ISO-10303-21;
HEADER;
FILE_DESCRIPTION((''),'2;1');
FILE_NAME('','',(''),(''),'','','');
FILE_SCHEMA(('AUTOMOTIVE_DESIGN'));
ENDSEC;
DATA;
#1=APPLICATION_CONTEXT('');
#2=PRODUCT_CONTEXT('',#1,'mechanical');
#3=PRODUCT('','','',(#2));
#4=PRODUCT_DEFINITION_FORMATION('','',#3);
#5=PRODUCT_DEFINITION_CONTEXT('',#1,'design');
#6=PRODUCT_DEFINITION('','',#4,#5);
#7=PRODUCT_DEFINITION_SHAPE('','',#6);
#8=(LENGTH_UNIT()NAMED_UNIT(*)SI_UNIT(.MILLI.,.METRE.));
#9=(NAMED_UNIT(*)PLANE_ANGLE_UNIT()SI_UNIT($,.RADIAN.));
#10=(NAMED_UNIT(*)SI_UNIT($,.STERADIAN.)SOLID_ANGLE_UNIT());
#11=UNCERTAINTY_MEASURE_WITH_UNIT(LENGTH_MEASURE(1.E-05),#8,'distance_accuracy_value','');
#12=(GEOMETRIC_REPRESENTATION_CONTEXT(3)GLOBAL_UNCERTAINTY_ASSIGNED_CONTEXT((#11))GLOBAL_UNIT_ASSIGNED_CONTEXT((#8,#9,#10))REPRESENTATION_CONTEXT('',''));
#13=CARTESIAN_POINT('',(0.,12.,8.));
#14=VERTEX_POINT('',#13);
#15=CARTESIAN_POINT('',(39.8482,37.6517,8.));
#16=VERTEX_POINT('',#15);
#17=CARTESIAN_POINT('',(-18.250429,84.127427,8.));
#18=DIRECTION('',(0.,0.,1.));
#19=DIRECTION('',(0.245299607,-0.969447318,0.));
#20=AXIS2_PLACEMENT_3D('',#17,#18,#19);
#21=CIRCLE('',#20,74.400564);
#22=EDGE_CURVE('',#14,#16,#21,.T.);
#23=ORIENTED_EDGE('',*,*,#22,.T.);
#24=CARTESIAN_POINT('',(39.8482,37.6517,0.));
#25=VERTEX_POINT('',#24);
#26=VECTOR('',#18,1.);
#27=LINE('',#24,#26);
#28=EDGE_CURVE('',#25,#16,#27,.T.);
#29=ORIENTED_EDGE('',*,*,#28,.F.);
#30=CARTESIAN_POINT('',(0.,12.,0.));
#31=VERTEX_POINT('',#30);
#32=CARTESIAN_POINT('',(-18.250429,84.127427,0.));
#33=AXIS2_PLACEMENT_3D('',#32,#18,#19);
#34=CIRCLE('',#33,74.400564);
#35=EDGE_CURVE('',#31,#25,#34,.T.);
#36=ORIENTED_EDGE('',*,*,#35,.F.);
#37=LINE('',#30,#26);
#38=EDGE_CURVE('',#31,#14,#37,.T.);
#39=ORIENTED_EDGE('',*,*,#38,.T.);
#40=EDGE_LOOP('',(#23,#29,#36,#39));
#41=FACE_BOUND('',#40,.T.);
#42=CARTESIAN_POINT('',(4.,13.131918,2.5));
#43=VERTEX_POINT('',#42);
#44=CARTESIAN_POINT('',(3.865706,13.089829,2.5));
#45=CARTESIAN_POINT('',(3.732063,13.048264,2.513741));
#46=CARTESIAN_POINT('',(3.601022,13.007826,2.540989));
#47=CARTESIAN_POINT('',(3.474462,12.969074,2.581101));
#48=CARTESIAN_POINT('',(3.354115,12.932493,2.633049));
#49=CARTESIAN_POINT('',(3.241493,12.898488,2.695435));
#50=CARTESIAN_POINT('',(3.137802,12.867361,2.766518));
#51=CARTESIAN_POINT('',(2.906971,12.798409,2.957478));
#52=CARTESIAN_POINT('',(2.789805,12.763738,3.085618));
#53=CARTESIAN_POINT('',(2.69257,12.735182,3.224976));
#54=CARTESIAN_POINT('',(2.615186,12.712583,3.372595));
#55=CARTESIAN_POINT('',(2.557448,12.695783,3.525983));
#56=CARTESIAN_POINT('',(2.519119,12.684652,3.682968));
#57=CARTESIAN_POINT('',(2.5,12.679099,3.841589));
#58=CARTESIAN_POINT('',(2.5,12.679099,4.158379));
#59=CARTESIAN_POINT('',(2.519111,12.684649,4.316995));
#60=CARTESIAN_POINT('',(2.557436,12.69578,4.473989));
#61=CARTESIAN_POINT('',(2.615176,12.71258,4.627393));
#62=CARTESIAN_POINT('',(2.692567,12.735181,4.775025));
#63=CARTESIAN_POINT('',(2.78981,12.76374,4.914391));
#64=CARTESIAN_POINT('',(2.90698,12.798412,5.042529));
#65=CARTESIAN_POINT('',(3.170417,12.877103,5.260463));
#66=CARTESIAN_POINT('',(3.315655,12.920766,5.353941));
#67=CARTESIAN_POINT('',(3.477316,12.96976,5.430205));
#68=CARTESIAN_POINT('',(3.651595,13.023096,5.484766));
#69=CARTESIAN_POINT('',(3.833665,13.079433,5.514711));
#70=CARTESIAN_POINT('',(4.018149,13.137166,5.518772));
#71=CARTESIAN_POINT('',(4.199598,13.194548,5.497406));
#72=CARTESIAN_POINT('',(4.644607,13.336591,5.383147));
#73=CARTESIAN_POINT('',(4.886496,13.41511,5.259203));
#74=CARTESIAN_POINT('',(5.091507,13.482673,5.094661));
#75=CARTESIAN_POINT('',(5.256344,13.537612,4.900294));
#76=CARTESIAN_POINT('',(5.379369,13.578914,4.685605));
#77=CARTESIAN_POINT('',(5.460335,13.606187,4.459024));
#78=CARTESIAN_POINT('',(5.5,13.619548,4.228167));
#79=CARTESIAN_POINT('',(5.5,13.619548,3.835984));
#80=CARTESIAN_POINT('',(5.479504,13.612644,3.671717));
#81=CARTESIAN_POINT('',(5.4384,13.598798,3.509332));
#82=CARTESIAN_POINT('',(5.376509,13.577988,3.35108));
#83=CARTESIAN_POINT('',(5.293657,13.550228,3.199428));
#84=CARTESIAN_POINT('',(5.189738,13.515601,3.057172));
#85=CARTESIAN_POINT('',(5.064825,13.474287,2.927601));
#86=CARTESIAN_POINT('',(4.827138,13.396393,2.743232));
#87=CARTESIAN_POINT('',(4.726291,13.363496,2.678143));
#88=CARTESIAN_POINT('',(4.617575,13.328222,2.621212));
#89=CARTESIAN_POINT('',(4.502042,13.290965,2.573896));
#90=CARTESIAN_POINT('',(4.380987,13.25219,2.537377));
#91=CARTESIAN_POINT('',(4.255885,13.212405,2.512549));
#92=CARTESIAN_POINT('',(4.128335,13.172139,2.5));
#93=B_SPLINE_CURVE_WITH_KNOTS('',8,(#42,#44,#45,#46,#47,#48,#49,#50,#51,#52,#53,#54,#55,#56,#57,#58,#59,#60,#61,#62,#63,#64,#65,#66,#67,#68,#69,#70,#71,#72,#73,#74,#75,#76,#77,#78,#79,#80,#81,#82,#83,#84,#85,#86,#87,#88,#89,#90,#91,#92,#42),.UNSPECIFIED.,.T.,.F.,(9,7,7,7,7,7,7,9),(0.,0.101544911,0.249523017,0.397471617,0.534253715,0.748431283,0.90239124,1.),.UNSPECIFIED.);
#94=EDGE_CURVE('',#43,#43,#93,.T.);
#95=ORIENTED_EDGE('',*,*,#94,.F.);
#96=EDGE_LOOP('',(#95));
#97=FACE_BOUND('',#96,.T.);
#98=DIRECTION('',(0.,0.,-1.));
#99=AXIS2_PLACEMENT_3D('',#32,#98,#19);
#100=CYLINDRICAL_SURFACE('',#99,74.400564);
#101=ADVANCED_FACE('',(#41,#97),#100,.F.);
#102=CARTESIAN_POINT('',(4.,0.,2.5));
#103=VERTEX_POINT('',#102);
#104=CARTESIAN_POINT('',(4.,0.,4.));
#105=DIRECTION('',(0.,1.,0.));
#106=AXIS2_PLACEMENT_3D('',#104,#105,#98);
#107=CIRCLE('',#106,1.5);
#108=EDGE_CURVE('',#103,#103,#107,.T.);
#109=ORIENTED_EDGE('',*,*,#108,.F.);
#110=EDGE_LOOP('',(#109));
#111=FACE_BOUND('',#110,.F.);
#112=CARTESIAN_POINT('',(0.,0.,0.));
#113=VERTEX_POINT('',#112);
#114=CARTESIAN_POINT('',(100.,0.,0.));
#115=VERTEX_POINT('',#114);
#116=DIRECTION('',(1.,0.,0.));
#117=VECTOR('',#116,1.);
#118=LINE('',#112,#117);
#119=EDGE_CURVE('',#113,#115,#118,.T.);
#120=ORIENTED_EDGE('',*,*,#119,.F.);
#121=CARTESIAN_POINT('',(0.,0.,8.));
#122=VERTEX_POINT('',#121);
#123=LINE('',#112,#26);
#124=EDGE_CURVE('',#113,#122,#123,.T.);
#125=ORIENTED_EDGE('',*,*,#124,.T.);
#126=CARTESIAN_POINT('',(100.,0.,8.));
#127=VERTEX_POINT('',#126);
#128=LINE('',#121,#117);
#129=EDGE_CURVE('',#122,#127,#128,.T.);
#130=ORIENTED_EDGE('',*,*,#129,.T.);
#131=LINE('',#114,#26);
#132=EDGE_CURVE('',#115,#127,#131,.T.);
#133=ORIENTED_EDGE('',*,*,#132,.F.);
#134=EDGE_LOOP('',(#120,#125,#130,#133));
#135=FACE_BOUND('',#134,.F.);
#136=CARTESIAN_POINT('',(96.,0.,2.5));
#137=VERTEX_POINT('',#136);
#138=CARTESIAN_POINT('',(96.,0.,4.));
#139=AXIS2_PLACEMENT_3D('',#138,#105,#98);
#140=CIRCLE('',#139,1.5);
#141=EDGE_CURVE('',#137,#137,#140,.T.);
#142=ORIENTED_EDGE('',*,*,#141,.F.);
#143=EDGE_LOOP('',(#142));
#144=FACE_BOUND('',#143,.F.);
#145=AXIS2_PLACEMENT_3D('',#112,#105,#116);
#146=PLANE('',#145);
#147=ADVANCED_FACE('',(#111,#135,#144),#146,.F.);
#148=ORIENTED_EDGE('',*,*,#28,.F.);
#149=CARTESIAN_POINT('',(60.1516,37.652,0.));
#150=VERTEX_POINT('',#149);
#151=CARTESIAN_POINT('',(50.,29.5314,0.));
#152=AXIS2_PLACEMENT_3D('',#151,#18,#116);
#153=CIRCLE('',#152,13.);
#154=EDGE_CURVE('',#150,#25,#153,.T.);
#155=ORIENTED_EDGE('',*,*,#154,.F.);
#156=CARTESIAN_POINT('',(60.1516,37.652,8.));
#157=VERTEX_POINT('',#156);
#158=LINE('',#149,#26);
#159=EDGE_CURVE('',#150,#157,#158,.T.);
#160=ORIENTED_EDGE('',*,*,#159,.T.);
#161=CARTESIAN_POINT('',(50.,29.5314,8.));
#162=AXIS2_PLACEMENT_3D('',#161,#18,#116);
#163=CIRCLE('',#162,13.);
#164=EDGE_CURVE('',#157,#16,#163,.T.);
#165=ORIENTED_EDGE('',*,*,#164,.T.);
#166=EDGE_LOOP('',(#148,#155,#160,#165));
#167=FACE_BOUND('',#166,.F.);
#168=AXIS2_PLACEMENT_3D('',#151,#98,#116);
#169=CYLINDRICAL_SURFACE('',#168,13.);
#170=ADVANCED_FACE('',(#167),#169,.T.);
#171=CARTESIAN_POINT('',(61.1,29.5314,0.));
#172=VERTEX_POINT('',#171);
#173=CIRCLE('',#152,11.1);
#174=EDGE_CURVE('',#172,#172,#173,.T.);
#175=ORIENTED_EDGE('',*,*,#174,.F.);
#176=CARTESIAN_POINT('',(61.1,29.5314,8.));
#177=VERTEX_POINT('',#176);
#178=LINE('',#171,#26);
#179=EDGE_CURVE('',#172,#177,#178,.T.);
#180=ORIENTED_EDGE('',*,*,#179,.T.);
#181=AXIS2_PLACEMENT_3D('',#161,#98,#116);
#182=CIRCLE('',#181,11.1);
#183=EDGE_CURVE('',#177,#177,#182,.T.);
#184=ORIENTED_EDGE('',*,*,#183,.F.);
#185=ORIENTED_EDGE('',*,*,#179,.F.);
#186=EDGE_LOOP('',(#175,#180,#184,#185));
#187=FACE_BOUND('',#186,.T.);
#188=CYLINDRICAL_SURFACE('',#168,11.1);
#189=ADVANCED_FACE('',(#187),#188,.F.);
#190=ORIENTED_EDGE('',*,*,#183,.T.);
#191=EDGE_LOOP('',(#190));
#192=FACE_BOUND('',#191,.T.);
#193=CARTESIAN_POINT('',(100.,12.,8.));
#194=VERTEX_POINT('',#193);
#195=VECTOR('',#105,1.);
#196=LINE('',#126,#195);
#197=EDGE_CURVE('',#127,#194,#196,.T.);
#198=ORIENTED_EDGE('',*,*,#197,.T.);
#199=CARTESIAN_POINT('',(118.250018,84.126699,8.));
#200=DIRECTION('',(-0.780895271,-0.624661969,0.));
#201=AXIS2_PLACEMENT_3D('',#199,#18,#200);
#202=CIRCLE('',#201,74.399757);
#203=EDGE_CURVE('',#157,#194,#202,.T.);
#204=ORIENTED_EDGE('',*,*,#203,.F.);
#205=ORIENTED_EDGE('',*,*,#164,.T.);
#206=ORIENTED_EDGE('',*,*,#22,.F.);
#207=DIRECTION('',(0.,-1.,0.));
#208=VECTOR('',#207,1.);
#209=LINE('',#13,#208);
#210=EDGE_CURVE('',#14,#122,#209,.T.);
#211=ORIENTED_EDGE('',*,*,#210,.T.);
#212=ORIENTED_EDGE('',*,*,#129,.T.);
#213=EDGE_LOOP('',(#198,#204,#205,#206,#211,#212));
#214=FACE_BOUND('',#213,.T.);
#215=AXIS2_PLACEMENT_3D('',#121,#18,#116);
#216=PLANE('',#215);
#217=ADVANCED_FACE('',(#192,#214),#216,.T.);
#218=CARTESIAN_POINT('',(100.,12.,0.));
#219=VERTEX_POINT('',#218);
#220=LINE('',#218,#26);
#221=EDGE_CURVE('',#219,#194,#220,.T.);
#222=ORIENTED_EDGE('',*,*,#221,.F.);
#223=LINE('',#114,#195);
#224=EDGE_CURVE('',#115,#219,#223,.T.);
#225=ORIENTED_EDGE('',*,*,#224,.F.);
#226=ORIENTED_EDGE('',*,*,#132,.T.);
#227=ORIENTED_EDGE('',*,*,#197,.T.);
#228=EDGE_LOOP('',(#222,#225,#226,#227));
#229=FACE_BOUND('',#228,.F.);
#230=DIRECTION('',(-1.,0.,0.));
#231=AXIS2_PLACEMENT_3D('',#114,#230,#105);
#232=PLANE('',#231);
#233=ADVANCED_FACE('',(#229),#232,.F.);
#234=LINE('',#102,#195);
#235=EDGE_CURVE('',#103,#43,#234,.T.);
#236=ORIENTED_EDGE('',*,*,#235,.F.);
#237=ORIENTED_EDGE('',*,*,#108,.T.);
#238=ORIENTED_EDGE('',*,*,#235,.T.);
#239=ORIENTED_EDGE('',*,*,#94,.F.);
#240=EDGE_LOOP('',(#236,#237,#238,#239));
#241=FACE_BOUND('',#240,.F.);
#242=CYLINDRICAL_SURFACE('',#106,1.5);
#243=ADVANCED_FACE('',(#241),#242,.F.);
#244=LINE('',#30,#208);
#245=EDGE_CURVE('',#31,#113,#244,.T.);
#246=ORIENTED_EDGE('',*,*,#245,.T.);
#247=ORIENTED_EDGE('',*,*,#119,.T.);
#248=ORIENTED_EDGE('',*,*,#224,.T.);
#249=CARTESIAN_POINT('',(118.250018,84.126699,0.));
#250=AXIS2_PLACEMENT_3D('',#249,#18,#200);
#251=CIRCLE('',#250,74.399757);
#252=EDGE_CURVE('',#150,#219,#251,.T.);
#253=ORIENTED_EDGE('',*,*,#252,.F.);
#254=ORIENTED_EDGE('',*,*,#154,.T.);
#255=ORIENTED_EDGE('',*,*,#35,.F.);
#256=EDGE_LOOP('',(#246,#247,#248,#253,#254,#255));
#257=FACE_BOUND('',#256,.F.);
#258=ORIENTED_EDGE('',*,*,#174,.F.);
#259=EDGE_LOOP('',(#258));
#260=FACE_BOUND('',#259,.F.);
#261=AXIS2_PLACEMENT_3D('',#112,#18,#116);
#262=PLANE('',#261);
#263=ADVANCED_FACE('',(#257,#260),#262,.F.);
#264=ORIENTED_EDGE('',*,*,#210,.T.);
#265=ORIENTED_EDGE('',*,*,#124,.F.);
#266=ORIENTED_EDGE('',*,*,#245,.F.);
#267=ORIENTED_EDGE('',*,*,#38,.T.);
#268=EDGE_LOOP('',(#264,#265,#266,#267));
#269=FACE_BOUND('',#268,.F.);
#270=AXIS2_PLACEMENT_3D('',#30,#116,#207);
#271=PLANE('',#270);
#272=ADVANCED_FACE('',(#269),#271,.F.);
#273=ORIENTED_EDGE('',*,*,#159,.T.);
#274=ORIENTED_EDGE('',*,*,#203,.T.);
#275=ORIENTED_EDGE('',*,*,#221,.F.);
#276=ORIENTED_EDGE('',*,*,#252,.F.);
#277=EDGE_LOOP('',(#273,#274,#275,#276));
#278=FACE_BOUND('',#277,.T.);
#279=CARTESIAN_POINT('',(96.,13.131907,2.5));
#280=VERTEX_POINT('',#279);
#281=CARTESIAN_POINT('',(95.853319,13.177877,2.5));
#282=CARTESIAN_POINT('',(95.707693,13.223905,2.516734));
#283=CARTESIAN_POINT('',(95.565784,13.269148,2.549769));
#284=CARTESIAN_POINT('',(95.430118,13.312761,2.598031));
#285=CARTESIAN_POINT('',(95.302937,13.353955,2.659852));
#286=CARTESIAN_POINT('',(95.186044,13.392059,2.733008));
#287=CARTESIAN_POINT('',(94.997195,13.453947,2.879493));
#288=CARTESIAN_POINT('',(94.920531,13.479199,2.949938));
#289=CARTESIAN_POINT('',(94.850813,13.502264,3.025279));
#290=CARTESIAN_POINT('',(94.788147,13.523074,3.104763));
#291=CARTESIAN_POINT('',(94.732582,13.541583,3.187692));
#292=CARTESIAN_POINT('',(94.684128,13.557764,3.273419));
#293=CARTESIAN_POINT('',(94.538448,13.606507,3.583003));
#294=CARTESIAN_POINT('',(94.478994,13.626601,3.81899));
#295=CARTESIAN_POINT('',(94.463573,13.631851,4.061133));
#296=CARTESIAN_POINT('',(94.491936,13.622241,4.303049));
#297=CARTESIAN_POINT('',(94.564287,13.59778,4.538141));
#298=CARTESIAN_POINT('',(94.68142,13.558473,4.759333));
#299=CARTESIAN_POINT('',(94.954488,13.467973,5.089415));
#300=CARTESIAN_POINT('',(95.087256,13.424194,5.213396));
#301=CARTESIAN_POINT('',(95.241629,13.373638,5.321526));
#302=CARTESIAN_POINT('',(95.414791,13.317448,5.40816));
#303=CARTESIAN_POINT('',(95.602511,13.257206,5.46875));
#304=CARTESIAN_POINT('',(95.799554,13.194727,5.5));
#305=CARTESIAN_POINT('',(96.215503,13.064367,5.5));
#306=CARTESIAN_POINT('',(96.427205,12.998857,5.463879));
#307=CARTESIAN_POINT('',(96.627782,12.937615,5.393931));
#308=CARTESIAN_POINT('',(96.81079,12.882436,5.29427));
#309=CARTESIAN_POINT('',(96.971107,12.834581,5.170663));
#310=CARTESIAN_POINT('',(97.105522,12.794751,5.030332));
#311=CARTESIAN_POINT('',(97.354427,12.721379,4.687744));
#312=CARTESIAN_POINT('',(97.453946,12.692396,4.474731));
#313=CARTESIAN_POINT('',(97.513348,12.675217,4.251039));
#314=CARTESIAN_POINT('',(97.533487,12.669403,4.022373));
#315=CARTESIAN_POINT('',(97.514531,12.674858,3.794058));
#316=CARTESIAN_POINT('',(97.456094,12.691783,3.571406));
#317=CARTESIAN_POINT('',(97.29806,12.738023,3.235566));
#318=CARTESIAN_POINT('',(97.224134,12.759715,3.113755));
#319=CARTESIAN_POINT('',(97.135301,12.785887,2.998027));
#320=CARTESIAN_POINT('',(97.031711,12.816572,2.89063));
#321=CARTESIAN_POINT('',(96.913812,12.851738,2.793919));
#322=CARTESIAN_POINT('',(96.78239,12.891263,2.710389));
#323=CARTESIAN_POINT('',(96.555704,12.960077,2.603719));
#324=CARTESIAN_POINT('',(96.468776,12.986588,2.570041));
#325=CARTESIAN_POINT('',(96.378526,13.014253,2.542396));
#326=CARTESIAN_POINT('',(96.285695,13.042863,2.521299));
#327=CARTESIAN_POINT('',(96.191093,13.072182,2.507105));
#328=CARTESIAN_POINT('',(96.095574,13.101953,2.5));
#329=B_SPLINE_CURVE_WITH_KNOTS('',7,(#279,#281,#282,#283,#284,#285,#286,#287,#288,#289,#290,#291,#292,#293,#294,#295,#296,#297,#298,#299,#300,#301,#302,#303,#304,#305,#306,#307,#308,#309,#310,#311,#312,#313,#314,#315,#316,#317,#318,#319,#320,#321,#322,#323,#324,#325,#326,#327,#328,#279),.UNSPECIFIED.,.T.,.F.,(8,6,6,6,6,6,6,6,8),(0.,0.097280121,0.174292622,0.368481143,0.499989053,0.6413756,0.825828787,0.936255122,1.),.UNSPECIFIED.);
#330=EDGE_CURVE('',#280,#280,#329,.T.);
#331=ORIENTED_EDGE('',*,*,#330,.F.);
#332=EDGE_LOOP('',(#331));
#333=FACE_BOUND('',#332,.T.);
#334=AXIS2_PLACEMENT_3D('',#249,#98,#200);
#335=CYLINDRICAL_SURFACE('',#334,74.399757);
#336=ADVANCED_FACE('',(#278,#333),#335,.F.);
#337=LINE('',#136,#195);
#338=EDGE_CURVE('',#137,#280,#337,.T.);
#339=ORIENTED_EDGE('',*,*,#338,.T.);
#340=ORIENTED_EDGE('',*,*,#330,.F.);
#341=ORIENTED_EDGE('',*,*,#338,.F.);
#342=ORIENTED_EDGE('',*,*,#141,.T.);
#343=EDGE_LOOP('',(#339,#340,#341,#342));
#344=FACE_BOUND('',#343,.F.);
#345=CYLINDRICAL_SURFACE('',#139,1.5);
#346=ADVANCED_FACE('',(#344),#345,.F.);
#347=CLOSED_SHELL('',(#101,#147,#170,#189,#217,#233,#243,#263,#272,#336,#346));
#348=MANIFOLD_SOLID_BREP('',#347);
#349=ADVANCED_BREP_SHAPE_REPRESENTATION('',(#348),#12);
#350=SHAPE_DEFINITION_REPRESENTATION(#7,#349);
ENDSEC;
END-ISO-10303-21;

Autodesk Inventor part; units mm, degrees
ref_plane "YZ Plane" through (0, 0, 0) normal (1, 0, 0) x (0, 1, 0)
ref_plane "XZ Plane" through (0, 0, 0) normal (0, 1, 0) x (-1, 0, 0)
ref_plane "XY Plane" through (0, 0, 0) normal (0, 0, 1) x (1, 0, 0)
sketch "Sketch1" plane through (0, 0, 0) normal (0, 0, 1) x (1, 0, 0)
  line L0 (0, 0) -> (100, 0)
  line L1 (100, 0) -> (100, 12)
  line L2 (100, 12) -> (0, 12)
  line L3 (0, 12) -> (0, 0)
  line L4 (37, 12) -> (63, 12)
  line L5 (63, 12) -> (63, 29.5314)
  line L6 (63, 29.5314) -> (37, 29.5314)
  line L7 (37, 29.5314) -> (37, 12)
  circle A0 centre (50, 29.5314) radius 13
  arc A1 (0, 12) -> (39.8482, 37.6517) centre (-18.2502, 84.1269) ccw
  arc A2 (60.1516, 37.652) -> (100, 12) centre (118.2502, 84.1269) ccw
  circle A3 centre (50, 29.5314) radius 11.1
  point P0 (100, 6)
  point P1 (0, 6)
  dimension "d30" = 100
  dimension "d31" = 22.2
  dimension "d32" = 74.4
  dimension "d33" = 74.4
  dimension "d34" = 26
  dimension "d37" = 12
  dimension "d39" = 25.6517
  dimension "d40" = 25.652
  dimension "d41" = 26
  dimension "d43" = 37
extrude "Extrusion1" add sketch "Sketch1" along normal blind 8 contours L3 L2 L1 L0 | A1 A0 L7 L2 | L2 L5 A0 A2 | L7 A0 L5 L2 | A0 L6 A3 | L6 A3 A0
sketch "Sketch2" plane through (0, 0, 0) normal (0, -1, 0) x (1, 0, 0)
  line L0 (0, 8) -> (100, 8) projected
  line L1 (0, 0) -> (0, 8) projected
  line L2 (100, 0) -> (100, 8) projected
  point P0 (4, 4)
  point P1 (96, 4)
  point P2 (100, 4)
  dimension "d12" = 4
  dimension "d13" = 4
  dimension "d14" = 4
  dimension "d15" = 4
hole "Hole2" at (4, 0, 4) at (96, 0, 4) direction (0, 1, 0) diameter 3 end through all
properties part number "podstawa"
